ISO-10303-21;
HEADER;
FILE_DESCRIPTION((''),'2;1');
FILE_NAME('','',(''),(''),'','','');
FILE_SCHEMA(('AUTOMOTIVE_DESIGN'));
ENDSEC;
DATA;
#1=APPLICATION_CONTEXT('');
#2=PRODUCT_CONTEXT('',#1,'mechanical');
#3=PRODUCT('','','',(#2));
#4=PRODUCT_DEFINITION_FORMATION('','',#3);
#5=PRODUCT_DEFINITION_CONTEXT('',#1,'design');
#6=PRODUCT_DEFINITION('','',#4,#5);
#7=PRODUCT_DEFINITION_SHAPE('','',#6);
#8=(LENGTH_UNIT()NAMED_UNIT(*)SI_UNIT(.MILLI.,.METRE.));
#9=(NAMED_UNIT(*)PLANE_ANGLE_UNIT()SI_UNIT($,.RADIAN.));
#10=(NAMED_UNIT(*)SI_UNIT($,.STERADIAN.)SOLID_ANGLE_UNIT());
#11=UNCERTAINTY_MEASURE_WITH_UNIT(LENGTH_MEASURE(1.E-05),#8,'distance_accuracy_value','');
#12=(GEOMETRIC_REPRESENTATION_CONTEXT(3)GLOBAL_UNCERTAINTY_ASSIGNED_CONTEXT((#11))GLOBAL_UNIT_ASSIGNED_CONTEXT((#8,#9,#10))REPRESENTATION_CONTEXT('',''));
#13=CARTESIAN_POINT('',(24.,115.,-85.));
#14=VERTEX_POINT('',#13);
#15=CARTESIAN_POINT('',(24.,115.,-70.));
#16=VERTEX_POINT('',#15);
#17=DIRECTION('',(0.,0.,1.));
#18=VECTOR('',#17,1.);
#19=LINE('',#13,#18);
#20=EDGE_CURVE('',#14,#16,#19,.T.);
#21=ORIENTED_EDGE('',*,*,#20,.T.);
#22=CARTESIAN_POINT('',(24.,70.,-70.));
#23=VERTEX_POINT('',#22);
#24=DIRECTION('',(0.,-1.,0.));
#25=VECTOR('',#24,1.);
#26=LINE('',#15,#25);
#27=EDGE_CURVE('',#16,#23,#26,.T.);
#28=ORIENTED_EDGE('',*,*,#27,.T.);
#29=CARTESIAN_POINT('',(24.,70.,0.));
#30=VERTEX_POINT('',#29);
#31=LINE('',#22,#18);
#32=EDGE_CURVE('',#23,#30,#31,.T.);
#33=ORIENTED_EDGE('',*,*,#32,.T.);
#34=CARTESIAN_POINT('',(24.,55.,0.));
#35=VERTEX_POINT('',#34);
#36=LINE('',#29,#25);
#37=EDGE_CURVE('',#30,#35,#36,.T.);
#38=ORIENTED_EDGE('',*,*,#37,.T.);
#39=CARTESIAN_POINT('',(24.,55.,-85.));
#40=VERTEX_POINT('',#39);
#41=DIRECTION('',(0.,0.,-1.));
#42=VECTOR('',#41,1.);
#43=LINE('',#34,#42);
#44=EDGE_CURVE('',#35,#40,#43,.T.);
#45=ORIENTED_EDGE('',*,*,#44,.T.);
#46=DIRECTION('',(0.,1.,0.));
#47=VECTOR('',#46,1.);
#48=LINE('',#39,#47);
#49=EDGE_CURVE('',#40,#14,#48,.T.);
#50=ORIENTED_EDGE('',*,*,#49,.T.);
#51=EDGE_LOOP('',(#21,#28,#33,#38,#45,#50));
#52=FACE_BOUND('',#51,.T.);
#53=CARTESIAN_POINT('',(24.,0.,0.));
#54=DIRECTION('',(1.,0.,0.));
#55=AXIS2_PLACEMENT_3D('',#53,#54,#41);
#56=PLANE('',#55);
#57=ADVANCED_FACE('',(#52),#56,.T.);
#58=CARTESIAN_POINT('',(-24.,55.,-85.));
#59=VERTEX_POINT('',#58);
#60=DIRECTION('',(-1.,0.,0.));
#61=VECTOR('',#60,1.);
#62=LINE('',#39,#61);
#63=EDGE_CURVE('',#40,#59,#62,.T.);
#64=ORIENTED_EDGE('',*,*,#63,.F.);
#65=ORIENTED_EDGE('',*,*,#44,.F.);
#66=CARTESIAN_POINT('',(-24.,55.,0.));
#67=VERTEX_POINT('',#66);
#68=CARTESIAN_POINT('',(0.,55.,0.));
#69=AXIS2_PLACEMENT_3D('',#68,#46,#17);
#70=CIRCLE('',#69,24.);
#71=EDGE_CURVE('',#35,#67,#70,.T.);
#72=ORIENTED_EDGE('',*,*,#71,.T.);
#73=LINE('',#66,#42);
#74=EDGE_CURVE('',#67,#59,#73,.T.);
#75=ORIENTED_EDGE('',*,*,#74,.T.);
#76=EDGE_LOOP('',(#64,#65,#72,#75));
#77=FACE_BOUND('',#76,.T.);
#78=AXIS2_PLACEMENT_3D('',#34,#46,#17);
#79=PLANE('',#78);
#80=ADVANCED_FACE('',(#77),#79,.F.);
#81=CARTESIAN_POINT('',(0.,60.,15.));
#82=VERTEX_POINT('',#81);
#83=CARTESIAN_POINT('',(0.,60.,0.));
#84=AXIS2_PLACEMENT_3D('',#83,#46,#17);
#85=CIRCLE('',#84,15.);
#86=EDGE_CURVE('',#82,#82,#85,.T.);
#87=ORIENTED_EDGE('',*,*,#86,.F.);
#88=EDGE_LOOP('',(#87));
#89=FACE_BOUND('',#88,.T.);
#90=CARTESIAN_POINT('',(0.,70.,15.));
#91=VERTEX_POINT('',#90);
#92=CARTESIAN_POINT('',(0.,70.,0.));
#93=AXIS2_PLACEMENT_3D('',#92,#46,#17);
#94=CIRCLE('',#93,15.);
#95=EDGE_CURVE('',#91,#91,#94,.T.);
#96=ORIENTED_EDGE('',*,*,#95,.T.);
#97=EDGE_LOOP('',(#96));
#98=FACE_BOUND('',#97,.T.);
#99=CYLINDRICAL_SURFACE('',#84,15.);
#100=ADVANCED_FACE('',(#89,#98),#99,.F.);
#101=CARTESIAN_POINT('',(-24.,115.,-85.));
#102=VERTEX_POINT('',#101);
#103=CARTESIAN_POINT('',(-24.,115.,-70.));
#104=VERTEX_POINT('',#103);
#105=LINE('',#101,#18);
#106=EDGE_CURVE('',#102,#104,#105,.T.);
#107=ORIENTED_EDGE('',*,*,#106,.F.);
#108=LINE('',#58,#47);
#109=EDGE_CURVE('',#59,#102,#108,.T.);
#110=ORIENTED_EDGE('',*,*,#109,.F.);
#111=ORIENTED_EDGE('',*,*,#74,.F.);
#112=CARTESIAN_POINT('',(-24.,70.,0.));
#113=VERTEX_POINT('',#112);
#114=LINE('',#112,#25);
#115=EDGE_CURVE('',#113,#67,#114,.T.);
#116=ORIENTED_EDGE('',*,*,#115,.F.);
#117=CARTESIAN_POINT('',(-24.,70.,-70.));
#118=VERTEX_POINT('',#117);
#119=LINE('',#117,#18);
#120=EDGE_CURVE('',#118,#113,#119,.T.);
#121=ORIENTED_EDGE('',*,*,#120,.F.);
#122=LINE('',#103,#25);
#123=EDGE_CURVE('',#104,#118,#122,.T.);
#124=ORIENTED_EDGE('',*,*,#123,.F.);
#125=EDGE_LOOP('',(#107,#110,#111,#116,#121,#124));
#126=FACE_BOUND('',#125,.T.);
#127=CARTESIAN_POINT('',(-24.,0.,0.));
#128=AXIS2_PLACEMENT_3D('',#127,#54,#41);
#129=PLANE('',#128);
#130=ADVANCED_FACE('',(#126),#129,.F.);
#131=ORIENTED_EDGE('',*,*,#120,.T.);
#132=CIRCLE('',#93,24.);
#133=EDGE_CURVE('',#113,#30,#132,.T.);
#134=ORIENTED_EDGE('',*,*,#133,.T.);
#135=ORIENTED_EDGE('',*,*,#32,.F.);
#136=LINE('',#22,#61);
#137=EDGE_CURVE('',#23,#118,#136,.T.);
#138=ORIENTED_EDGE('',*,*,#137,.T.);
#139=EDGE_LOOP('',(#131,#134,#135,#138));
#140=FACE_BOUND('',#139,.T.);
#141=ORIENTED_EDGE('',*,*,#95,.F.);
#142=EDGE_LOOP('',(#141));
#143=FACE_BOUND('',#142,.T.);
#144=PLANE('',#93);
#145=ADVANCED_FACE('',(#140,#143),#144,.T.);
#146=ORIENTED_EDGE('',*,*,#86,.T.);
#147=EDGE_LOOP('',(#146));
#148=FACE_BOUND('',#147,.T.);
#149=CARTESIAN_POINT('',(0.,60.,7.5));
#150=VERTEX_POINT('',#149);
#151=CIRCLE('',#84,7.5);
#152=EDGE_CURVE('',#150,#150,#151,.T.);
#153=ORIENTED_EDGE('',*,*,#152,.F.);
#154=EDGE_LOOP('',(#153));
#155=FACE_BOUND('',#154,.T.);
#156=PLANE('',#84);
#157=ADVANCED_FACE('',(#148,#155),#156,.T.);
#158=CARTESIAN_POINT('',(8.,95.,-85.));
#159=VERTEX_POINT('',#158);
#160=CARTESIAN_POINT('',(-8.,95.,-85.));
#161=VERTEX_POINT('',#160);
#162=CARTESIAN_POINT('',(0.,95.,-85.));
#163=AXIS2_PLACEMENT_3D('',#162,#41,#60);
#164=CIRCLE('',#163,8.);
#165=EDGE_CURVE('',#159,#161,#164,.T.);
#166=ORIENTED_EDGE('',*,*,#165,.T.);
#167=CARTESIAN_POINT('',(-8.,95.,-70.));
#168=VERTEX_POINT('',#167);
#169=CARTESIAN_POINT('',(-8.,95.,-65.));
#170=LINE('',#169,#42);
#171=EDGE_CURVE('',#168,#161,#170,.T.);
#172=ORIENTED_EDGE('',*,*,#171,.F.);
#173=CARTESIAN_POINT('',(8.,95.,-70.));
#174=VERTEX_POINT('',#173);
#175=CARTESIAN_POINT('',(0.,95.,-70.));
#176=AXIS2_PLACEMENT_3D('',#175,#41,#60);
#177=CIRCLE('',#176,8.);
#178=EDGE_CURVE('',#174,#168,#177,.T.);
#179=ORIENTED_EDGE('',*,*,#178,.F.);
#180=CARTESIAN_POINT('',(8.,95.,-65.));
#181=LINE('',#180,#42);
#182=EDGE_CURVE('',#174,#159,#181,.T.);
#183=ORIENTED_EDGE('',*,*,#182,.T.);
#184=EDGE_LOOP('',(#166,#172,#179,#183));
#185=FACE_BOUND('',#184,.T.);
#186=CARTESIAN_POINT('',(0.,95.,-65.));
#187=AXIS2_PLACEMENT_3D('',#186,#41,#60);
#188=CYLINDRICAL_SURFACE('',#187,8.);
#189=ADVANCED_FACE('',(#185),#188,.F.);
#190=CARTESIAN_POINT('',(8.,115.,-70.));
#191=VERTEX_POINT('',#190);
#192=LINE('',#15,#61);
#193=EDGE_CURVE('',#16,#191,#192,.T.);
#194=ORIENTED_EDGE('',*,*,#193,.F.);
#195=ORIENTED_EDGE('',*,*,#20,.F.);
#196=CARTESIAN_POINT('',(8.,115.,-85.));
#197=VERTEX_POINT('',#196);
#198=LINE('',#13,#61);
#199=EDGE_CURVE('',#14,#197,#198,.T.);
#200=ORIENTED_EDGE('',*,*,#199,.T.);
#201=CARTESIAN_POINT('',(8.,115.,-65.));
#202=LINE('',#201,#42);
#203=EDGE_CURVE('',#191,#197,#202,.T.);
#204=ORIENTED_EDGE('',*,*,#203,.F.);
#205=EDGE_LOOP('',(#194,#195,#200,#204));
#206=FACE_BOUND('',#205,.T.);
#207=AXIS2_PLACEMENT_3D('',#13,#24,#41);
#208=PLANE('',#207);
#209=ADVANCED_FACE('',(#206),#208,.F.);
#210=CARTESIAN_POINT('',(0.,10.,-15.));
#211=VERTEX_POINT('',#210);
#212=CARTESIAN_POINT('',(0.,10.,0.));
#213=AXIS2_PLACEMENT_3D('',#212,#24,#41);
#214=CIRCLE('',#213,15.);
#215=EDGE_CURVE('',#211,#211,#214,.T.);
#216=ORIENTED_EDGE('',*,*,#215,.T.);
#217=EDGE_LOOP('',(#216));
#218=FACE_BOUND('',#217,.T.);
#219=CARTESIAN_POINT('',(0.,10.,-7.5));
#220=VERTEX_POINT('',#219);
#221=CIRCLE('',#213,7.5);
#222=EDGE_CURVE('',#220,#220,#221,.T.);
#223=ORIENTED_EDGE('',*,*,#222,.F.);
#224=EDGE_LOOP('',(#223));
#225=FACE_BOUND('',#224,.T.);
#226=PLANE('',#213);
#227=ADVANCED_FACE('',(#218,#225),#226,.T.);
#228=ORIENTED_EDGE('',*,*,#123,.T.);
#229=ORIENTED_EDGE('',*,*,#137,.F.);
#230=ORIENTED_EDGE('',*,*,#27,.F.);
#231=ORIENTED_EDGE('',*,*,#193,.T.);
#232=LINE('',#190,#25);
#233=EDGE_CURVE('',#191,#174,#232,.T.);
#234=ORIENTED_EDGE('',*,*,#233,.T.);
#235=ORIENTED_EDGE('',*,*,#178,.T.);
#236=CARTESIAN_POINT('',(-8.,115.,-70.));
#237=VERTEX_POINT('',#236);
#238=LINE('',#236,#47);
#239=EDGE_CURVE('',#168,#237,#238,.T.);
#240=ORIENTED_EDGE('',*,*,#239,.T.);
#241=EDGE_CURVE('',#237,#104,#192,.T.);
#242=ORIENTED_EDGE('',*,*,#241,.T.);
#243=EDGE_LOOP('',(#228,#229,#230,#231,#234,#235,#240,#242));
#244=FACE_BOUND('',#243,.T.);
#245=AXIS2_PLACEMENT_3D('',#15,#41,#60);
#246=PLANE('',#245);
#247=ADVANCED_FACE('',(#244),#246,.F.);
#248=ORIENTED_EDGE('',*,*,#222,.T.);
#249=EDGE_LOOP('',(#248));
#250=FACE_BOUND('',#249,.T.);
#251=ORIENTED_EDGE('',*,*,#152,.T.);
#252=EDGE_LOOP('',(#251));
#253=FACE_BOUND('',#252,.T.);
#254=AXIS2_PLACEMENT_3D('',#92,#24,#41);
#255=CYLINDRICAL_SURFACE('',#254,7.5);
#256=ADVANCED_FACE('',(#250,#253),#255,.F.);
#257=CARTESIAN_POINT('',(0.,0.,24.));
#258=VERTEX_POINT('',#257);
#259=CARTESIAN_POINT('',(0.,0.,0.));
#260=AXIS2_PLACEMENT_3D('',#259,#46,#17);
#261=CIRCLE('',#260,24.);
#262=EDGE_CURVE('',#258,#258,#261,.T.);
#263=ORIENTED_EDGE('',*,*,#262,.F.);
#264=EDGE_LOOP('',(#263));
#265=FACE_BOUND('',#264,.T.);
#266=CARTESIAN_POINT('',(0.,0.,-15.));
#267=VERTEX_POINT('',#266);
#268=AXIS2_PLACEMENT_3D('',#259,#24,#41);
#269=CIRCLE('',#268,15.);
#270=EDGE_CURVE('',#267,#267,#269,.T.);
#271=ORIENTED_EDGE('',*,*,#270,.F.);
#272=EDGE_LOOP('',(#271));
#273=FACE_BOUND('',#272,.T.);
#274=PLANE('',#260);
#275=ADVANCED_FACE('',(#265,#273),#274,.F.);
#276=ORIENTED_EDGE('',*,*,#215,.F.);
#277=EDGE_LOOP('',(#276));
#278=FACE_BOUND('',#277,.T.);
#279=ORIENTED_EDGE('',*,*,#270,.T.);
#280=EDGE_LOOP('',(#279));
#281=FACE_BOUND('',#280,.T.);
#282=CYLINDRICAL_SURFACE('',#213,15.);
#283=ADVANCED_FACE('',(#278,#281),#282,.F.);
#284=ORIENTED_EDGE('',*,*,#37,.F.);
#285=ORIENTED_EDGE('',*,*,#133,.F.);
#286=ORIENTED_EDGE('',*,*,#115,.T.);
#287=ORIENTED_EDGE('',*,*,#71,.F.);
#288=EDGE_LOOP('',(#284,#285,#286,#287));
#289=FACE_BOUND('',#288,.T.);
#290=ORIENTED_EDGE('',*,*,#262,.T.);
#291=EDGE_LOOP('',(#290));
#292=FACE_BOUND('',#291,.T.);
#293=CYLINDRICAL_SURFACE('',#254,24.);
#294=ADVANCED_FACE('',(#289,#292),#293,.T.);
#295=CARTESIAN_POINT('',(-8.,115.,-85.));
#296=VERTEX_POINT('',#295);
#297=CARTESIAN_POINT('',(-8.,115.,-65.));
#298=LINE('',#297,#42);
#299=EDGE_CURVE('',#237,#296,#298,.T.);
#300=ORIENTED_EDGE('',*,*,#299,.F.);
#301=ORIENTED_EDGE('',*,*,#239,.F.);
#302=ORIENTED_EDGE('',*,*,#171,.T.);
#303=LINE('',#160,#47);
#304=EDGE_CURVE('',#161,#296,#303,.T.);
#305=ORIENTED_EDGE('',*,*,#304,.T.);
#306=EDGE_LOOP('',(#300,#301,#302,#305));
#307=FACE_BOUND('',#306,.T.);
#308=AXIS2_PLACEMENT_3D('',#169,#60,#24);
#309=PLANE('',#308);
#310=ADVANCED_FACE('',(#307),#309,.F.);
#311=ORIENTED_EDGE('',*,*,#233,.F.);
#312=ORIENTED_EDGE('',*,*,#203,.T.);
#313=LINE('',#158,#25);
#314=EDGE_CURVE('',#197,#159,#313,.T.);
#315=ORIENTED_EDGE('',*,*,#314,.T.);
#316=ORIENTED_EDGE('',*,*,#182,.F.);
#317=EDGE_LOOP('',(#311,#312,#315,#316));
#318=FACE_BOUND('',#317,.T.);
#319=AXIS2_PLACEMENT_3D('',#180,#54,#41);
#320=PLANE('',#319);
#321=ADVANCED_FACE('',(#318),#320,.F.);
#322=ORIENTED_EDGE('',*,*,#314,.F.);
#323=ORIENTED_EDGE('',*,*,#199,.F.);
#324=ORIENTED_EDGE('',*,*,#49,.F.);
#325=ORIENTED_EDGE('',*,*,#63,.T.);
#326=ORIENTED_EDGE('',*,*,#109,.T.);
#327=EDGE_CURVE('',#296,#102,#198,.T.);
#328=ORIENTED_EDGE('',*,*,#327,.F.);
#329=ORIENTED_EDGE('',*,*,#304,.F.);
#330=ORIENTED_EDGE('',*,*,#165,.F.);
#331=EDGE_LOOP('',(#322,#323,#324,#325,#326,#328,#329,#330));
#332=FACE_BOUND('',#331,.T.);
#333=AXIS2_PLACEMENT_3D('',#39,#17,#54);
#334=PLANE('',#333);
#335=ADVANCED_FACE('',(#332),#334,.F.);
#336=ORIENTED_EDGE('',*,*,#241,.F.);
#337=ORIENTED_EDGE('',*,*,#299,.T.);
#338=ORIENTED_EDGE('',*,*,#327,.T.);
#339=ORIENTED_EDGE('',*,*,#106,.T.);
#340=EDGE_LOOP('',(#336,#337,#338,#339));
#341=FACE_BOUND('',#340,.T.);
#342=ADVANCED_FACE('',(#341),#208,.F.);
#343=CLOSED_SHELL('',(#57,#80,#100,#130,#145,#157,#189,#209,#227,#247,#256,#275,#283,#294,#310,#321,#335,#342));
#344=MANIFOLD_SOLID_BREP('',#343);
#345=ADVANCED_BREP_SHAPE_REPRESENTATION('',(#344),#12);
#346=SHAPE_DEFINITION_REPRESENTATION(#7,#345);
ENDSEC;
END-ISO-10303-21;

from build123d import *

# Parameters (mm, degrees)
SKETCH1_R           = 24
SKETCH1_R_2         = 7.5
BOSS_EXTRUDE1_DEPTH = 70
BOSS_EXTRUDE3_DEPTH = 24
SKETCH3_R           = 7.5
CUT_EXTRUDE1_DEPTH  = 48
SKETCH4_R           = 15
CUT_EXTRUDE2_DEPTH  = 10
SKETCH5_R           = 15
CUT_EXTRUDE3_DEPTH  = 10
CUT_EXTRUDE4_DEPTH  = 20


with BuildPart() as part:
    # Sketch1 → Boss-Extrude1 (new body)
    with BuildSketch(Plane(origin=(0, 0, 0), x_dir=(1, 0, 0), z_dir=(0, 1, 0))):
        with Locations(Location((0, 0, 0), (0, 0, 270))):
            Circle(SKETCH1_R)
        with Locations(Location((0, 0, 0), (0, 0, 270))):
            Circle(SKETCH1_R_2, mode=Mode.SUBTRACT)
    extrude(amount=BOSS_EXTRUDE1_DEPTH)

    # Sketch2 → Boss-Extrude3 (add, symmetric)
    with BuildSketch(Plane(origin=(0, 0, 0), x_dir=(0, 0, -1), z_dir=(1, 0, 0))):
        Polygon((0, 55), (85, 55), (85, 115), (70, 115), (70, 70), (0, 70), align=None)
    extrude(amount=BOSS_EXTRUDE3_DEPTH, both=True)

    # Sketch3 → Cut-Extrude1 (cut)
    with BuildSketch(Plane(origin=(0, 55, 0), x_dir=(-1, 0, 0), z_dir=(0, -1, 0))):
        with Locations(Location((0, 0, 0), (0, 0, 270))):
            Circle(SKETCH3_R)
    extrude(amount=-CUT_EXTRUDE1_DEPTH, mode=Mode.SUBTRACT)

    # Sketch4 → Cut-Extrude2 (cut)
    with BuildSketch(Plane(origin=(0, 70, 0), x_dir=(1, 0, 0), z_dir=(0, 1, 0))):
        with Locations(Location((0, 0, 0), (0, 0, 270))):
            Circle(SKETCH4_R)
    extrude(amount=-CUT_EXTRUDE2_DEPTH, mode=Mode.SUBTRACT)

    # Sketch5 → Cut-Extrude3 (cut)
    with BuildSketch(Plane.XZ):
        with Locations(Location((0, 0, 0), (0, 0, 90))):
            Circle(SKETCH5_R)
    extrude(amount=-CUT_EXTRUDE3_DEPTH, mode=Mode.SUBTRACT)

    # Sketch6 → Cut-Extrude4 (cut)
    with BuildSketch(Plane(origin=(0, 0, -85), x_dir=(-1, 0, 0), z_dir=(0, 0, -1))):
        with BuildLine():
            Line((-8, 95), (-8, 115))
            Line((-8, 115), (8, 115))
            Line((8, 115), (8, 95))
            ThreePointArc((8, 95), (0, 87), (-8, 95))
        make_face()
    extrude(amount=-CUT_EXTRUDE4_DEPTH, mode=Mode.SUBTRACT)


solid = part.part
